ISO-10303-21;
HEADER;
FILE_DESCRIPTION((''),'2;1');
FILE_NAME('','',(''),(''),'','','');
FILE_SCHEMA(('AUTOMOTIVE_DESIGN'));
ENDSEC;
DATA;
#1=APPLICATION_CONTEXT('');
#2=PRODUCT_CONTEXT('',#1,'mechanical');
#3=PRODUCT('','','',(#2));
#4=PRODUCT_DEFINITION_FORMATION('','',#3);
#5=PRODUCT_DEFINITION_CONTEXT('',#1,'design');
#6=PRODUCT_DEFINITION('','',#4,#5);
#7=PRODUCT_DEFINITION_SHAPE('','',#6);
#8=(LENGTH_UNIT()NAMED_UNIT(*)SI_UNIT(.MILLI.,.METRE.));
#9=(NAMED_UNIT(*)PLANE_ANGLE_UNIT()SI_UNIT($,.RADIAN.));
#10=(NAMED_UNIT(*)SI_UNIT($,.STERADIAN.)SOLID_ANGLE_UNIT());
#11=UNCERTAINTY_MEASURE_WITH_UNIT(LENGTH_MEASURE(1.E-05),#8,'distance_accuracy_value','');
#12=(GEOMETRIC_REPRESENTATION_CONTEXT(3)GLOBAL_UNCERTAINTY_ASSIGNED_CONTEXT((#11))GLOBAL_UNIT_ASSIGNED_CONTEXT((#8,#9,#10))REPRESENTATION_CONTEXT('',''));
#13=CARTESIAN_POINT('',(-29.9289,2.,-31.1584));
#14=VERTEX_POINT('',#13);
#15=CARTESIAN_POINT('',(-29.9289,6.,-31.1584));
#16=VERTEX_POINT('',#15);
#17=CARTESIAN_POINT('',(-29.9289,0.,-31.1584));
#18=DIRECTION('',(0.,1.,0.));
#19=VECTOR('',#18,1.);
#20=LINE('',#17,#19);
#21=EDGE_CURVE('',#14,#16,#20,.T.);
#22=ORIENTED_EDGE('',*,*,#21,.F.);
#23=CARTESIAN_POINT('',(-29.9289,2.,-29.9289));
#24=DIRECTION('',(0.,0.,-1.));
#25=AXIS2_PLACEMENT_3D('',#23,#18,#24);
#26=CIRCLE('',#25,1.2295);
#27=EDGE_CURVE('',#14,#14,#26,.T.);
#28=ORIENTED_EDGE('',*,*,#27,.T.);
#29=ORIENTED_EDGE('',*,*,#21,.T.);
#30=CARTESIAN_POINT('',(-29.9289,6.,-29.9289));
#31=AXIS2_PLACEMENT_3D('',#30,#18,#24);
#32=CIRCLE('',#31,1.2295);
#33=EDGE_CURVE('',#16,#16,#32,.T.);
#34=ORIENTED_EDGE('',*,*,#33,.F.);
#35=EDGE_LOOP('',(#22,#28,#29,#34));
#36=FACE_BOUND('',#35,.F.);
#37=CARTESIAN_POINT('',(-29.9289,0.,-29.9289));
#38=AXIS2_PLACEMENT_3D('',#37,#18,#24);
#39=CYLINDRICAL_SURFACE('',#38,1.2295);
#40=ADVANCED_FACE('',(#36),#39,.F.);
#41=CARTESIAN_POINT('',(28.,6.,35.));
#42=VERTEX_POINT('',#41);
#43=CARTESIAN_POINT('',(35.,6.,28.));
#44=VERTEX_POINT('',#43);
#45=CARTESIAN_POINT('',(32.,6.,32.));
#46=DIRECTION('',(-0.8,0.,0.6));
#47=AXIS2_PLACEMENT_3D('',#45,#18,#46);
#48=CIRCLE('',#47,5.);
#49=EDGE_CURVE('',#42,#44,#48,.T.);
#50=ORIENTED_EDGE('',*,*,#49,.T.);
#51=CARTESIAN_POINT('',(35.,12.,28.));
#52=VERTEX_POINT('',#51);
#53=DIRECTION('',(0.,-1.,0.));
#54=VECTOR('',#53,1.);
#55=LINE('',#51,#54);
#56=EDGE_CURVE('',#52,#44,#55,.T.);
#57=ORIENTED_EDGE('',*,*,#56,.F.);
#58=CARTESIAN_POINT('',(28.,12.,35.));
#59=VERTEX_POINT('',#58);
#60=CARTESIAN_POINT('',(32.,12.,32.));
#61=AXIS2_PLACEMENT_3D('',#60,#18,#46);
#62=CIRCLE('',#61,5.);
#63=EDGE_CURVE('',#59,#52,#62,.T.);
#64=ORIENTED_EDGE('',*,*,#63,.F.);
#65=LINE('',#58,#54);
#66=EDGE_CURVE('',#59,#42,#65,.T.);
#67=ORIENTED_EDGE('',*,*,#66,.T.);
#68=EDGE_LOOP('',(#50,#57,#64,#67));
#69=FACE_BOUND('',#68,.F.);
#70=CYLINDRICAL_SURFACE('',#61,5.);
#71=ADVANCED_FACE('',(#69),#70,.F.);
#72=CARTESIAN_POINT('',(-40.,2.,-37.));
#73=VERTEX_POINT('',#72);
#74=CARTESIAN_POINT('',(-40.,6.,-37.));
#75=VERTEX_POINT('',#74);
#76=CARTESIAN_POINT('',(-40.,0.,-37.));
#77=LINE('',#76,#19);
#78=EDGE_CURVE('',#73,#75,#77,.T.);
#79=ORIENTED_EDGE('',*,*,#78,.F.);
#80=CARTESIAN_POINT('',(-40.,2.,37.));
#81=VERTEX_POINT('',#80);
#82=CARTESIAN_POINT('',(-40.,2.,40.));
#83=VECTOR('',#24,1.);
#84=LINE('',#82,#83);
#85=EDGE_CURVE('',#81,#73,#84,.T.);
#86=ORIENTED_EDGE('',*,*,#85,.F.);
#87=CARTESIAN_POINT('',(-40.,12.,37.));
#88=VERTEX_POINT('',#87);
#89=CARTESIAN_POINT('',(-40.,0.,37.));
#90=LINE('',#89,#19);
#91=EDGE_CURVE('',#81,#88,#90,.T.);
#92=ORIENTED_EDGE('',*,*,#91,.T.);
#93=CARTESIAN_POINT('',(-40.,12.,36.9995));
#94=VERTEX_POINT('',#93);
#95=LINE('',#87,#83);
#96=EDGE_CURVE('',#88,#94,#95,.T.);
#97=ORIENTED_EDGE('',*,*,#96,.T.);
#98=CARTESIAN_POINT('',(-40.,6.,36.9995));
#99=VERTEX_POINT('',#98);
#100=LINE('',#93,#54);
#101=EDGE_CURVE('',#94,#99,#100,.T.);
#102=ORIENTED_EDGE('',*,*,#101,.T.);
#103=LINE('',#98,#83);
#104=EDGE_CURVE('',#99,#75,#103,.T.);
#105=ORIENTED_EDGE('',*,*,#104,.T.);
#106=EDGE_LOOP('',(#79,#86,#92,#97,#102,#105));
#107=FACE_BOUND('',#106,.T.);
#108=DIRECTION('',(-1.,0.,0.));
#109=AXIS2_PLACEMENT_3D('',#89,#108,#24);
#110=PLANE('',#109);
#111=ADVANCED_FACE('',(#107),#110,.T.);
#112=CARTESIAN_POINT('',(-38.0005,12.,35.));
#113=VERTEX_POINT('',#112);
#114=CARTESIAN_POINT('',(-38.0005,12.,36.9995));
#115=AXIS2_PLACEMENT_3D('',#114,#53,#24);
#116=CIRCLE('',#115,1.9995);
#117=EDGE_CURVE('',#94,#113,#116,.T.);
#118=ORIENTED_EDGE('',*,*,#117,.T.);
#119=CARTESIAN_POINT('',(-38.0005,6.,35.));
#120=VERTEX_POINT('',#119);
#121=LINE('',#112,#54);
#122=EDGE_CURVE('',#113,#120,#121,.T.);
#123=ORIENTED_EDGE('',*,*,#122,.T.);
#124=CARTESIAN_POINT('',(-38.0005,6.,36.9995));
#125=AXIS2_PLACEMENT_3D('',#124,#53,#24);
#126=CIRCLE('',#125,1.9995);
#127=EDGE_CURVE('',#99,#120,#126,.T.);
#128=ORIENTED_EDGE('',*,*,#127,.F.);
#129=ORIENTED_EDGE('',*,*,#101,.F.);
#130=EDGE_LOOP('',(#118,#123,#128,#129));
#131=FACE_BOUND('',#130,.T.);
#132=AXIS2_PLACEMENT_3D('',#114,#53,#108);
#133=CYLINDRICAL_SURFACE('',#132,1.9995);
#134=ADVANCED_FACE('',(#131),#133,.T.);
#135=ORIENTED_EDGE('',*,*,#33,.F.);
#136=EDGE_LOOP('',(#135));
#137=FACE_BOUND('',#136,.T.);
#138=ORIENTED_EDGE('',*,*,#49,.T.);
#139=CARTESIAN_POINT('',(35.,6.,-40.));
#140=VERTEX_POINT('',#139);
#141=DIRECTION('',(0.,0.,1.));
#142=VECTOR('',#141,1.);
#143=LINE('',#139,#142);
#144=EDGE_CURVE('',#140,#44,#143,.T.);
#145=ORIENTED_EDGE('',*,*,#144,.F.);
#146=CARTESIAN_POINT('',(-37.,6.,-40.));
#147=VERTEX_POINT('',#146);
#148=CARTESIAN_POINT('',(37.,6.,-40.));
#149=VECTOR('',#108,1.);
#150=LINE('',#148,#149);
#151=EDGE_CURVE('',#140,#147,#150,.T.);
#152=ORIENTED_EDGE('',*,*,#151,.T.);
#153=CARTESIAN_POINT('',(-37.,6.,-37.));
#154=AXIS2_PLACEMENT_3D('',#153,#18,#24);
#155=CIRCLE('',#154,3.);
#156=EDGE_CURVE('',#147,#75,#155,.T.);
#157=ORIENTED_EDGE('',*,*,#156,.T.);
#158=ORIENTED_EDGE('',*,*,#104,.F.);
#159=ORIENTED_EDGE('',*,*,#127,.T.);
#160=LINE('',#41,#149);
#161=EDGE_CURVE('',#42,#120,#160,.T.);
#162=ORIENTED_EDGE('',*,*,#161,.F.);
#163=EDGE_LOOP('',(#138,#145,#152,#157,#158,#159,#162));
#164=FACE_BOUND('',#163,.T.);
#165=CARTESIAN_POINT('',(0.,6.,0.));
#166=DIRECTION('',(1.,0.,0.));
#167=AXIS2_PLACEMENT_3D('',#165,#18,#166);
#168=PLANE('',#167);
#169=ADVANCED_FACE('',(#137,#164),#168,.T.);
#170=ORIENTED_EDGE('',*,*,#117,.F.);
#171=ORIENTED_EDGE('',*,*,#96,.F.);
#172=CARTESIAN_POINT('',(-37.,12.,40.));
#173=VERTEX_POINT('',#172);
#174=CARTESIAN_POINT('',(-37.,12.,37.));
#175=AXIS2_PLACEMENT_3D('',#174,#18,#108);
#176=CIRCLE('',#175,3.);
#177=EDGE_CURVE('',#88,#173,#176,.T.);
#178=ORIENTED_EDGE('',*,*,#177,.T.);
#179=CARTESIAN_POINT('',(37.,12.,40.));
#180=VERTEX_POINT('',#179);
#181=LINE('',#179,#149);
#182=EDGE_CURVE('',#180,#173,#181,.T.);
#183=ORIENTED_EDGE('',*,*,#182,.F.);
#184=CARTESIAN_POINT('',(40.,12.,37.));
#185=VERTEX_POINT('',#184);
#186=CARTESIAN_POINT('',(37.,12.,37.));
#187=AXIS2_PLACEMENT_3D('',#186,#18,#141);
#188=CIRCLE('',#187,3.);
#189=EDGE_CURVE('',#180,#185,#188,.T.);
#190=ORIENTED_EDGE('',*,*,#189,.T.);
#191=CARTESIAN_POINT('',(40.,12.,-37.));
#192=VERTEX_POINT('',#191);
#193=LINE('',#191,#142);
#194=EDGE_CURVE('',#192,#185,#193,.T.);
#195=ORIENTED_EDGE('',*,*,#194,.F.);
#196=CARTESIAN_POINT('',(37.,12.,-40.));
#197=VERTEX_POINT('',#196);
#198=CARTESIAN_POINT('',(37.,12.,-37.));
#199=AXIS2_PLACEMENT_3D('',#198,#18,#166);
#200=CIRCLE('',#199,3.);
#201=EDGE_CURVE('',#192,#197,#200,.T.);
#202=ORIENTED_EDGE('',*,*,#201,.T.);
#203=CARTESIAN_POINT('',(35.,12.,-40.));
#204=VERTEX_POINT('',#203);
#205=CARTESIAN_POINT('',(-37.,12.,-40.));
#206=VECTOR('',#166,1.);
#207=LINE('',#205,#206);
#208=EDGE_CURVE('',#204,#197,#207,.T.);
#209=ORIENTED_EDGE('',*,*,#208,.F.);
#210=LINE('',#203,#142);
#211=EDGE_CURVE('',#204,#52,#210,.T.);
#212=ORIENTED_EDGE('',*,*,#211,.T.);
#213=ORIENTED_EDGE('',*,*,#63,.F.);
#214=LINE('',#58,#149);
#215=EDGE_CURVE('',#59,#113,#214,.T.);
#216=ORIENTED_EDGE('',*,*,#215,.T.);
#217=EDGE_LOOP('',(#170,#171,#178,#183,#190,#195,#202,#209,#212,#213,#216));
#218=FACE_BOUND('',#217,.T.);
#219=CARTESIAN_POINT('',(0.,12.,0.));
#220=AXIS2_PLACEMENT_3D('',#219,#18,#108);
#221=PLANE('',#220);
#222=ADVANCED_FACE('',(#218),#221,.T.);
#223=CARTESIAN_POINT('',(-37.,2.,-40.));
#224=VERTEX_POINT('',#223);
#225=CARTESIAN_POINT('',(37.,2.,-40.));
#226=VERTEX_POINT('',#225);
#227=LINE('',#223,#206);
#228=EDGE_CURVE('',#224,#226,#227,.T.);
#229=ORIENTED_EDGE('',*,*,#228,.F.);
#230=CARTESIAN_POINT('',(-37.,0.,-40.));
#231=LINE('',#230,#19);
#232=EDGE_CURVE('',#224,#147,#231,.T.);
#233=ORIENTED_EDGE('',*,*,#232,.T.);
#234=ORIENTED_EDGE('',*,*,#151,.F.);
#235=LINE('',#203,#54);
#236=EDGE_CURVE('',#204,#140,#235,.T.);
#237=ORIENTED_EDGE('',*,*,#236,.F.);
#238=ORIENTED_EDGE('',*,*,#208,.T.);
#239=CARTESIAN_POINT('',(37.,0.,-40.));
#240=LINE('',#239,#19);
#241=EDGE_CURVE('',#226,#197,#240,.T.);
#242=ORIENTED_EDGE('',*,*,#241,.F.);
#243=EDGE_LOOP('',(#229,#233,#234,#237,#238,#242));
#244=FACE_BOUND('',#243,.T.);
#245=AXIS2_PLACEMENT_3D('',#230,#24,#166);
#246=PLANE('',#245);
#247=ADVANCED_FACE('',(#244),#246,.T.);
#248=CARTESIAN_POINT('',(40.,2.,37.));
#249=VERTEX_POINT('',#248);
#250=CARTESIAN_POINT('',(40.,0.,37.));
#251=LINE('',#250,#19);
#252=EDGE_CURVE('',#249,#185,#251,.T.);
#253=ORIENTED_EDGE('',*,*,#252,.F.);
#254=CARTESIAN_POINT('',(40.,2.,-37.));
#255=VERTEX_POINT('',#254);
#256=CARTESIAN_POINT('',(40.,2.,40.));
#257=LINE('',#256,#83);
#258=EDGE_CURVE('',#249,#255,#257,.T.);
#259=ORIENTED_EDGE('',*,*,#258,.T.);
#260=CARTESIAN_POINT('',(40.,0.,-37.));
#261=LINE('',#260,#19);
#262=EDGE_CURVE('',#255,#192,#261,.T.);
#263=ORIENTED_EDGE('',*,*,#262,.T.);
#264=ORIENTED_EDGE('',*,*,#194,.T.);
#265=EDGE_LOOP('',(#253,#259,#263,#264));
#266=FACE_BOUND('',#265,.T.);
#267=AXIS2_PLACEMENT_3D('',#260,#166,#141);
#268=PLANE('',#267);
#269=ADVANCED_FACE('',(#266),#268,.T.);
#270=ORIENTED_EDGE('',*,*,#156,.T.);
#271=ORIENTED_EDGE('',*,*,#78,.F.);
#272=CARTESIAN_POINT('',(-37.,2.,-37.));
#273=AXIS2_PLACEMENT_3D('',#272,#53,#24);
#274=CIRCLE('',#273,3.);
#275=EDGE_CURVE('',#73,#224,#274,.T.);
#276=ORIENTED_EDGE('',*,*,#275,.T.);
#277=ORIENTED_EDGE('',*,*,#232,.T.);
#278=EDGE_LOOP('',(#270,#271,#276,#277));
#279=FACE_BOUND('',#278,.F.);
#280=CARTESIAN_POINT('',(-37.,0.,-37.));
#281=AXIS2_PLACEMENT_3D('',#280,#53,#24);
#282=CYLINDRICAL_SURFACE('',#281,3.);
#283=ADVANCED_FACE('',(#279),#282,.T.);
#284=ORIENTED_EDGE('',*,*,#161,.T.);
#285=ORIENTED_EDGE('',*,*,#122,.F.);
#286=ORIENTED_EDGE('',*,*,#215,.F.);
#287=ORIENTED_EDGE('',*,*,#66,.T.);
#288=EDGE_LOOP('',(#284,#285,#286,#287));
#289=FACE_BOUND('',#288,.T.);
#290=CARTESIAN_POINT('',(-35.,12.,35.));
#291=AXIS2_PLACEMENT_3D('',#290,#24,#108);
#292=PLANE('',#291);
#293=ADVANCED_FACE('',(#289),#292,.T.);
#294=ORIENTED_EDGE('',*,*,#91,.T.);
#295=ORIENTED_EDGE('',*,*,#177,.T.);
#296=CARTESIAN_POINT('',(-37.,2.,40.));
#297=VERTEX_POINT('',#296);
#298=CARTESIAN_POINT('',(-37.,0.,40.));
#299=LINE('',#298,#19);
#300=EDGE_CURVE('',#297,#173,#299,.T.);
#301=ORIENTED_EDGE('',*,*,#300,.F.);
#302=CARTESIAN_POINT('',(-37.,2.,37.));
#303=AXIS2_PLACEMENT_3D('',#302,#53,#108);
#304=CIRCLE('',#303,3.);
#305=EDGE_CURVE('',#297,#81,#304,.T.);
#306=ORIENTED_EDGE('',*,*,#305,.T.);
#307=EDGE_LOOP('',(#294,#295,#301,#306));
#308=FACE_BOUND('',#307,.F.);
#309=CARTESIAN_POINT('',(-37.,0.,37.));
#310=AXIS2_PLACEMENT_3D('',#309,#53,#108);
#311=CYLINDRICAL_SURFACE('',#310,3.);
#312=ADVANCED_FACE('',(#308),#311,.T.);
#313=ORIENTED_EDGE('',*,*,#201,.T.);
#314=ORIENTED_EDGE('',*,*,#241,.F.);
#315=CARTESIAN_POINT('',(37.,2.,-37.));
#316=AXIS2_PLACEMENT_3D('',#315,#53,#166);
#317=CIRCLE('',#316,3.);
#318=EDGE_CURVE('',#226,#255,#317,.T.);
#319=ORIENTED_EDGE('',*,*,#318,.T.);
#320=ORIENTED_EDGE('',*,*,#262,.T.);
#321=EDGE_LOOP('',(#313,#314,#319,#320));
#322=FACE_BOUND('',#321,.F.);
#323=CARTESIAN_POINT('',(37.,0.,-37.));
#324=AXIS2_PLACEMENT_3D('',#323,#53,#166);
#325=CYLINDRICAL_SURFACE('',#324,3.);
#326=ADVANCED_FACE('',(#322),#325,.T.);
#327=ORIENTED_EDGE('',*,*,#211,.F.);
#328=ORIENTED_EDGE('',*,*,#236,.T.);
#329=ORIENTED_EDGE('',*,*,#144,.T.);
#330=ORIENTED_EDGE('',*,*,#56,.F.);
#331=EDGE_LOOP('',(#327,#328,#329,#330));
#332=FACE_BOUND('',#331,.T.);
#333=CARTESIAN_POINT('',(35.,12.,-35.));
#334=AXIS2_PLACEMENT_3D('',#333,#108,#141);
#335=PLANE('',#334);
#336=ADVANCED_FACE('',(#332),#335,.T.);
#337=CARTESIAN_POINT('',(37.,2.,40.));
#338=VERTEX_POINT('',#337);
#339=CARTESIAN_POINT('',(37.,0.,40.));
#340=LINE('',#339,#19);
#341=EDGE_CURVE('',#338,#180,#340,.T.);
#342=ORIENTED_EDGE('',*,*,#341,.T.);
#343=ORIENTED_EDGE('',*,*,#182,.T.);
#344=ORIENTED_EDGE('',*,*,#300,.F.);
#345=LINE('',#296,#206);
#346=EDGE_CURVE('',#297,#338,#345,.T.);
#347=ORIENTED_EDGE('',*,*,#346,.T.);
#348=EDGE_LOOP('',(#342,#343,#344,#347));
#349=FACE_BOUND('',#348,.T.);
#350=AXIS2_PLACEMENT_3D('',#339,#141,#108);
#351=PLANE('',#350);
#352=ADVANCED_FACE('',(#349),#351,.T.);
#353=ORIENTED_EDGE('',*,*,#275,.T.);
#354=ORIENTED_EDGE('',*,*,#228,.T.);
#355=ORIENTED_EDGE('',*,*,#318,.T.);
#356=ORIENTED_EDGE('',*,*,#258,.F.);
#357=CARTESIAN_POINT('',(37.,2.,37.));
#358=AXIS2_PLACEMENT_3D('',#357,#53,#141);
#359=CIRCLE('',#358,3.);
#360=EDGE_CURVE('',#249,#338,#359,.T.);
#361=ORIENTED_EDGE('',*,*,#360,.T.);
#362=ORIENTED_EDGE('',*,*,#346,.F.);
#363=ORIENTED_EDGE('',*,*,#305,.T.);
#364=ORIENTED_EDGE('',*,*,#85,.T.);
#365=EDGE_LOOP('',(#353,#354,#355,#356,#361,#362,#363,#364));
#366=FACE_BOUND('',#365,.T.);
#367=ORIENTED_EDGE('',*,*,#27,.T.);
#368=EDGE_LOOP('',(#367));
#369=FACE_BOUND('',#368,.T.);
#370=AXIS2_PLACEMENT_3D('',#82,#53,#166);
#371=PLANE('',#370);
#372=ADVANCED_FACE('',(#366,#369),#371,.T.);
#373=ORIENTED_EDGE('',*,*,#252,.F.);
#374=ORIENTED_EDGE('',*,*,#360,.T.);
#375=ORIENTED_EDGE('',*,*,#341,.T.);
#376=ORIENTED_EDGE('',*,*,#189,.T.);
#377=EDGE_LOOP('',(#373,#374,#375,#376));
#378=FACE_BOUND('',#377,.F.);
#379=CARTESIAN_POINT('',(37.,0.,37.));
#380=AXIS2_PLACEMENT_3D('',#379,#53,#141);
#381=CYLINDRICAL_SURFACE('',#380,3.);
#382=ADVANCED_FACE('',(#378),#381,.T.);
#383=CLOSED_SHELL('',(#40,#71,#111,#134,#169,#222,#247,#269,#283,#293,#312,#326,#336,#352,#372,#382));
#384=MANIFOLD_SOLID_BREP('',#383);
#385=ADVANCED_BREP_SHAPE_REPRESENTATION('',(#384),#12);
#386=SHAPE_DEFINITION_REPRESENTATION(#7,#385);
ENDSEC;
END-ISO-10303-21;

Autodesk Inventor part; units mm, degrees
ref_plane "YZ Plane" through (0, 0, 0) normal (1, 0, 0) x (0, 1, 0)
ref_plane "XZ Plane" through (0, 0, 0) normal (0, 1, 0) x (-1, 0, 0)
ref_plane "XY Plane" through (0, 0, 0) normal (0, 0, 1) x (1, 0, 0)
sketch "Skizze1" plane through (0, 0, 0) normal (0, 1, 0) x (-1, 0, 0)
  line L0 (-37, 40) -> (37, 40)
  line L1 (40, 37) -> (40, -37)
  line L2 (37, -40) -> (-37, -40)
  line L3 (-40, -37) -> (-40, 37)
  line L4 (-40, 40) -> (40, -40) construction
  line L5 (40, 40) -> (-40, -40) construction
  arc A0 (40, 37) -> (37, 40) centre (37, 37) ccw
  arc A1 (-37, 40) -> (-40, 37) centre (-37, 37) ccw
  arc A2 (-40, -37) -> (-37, -40) centre (-37, -37) ccw
  arc A3 (37, -40) -> (40, -37) centre (37, -37) ccw
  point P0 (0, 0)
  dimension "d0" = 80
  dimension "d1" = 80
  dimension "d2" = 3
  dimension "d3" = 3
  dimension "d4" = 3
  dimension "d5" = 3
extrude "Extrusion1" add sketch "Skizze1" along normal blind 12
sketch "Skizze2" plane through (0, 12, 0) normal (0, 1, 0) x (1, 0, 0)
  line L0 (-40, 37) -> (-40, -37) projected
  arc A0 (-40, -37) -> (-37, -40) centre (-37, -37) ccw projected
  line L1 (-37, -40) -> (37, -40) projected
  arc A1 (37, -40) -> (40, -37) centre (37, -37) ccw projected
  line L2 (40, -37) -> (40, 37) projected
  arc A2 (40, 37) -> (37, 40) centre (37, 37) ccw projected
  line L3 (37, 40) -> (-37, 40) projected
  arc A3 (-37, 40) -> (-40, 37) centre (-37, 37) ccw projected
  line L4 (-35, -35) -> (-35, 35) construction
  line L5 (-35, 35) -> (35, 35) construction
  line L6 (35, 35) -> (35, -28)
  line L7 (28, -35) -> (-35, -35)
  line L8 (-35, -35) -> (-40, -35)
  line L9 (35, 35) -> (35, 40)
  arc A4 (28, -35) -> (35, -28) centre (32, -32) ccw
  point P0 (0, 0)
  dimension "d8" = 5
  dimension "d21" = 10
extrude "Extrusion2" cut sketch "Skizze2" against normal blind 6 contours A3 L3 L9 L6 A4 L7 L8 L0
fillet "Rundung1" radius 2 1 edges at (-40, 9, 35)
sketch "Skizze3" plane through (0, 0, 0) normal (0, -1, 0) x (1, 0, 0)
  arc A0 (-40, -37) -> (-37, -40) centre (-37, -37) ccw projected
  line L0 (-37, -37) -> (0, 0) construction
  line L1 (-37, -37) -> (-29.9289, -29.9289) construction
  dimension "d13" = 10
hole "Bohrung1" at (-29.9289, 0, -29.9289) direction (0, 1, 0) diameter 2.459 end through all thread size "M3x0.5" class "6H" standard "ISO Metric profile"
sketch "Skizze4" plane through (-37, 0, 40) normal (0, 0, 1) x (1, 0, 0)
  line L0 (-3, 0) -> (0, 0) projected
  line L1 (74, 0) -> (0, 0) projected
  line L2 (74, 0) -> (77, 0) projected
  line L3 (-3, 2) -> (0, 2)
  line L4 (0, 2) -> (74, 2)
  line L5 (74, 2) -> (77, 2)
  line L6 (-3, 0) -> (-3, 6) projected
  line L7 (77, 0) -> (77, 12) projected
  point P0 (37, 0)
  dimension "d22" = 2
extrude "Extrusion3" cut sketch "Skizze4" against normal blind 80
properties part number "Tastplatte" material "Aluminium 6061"
